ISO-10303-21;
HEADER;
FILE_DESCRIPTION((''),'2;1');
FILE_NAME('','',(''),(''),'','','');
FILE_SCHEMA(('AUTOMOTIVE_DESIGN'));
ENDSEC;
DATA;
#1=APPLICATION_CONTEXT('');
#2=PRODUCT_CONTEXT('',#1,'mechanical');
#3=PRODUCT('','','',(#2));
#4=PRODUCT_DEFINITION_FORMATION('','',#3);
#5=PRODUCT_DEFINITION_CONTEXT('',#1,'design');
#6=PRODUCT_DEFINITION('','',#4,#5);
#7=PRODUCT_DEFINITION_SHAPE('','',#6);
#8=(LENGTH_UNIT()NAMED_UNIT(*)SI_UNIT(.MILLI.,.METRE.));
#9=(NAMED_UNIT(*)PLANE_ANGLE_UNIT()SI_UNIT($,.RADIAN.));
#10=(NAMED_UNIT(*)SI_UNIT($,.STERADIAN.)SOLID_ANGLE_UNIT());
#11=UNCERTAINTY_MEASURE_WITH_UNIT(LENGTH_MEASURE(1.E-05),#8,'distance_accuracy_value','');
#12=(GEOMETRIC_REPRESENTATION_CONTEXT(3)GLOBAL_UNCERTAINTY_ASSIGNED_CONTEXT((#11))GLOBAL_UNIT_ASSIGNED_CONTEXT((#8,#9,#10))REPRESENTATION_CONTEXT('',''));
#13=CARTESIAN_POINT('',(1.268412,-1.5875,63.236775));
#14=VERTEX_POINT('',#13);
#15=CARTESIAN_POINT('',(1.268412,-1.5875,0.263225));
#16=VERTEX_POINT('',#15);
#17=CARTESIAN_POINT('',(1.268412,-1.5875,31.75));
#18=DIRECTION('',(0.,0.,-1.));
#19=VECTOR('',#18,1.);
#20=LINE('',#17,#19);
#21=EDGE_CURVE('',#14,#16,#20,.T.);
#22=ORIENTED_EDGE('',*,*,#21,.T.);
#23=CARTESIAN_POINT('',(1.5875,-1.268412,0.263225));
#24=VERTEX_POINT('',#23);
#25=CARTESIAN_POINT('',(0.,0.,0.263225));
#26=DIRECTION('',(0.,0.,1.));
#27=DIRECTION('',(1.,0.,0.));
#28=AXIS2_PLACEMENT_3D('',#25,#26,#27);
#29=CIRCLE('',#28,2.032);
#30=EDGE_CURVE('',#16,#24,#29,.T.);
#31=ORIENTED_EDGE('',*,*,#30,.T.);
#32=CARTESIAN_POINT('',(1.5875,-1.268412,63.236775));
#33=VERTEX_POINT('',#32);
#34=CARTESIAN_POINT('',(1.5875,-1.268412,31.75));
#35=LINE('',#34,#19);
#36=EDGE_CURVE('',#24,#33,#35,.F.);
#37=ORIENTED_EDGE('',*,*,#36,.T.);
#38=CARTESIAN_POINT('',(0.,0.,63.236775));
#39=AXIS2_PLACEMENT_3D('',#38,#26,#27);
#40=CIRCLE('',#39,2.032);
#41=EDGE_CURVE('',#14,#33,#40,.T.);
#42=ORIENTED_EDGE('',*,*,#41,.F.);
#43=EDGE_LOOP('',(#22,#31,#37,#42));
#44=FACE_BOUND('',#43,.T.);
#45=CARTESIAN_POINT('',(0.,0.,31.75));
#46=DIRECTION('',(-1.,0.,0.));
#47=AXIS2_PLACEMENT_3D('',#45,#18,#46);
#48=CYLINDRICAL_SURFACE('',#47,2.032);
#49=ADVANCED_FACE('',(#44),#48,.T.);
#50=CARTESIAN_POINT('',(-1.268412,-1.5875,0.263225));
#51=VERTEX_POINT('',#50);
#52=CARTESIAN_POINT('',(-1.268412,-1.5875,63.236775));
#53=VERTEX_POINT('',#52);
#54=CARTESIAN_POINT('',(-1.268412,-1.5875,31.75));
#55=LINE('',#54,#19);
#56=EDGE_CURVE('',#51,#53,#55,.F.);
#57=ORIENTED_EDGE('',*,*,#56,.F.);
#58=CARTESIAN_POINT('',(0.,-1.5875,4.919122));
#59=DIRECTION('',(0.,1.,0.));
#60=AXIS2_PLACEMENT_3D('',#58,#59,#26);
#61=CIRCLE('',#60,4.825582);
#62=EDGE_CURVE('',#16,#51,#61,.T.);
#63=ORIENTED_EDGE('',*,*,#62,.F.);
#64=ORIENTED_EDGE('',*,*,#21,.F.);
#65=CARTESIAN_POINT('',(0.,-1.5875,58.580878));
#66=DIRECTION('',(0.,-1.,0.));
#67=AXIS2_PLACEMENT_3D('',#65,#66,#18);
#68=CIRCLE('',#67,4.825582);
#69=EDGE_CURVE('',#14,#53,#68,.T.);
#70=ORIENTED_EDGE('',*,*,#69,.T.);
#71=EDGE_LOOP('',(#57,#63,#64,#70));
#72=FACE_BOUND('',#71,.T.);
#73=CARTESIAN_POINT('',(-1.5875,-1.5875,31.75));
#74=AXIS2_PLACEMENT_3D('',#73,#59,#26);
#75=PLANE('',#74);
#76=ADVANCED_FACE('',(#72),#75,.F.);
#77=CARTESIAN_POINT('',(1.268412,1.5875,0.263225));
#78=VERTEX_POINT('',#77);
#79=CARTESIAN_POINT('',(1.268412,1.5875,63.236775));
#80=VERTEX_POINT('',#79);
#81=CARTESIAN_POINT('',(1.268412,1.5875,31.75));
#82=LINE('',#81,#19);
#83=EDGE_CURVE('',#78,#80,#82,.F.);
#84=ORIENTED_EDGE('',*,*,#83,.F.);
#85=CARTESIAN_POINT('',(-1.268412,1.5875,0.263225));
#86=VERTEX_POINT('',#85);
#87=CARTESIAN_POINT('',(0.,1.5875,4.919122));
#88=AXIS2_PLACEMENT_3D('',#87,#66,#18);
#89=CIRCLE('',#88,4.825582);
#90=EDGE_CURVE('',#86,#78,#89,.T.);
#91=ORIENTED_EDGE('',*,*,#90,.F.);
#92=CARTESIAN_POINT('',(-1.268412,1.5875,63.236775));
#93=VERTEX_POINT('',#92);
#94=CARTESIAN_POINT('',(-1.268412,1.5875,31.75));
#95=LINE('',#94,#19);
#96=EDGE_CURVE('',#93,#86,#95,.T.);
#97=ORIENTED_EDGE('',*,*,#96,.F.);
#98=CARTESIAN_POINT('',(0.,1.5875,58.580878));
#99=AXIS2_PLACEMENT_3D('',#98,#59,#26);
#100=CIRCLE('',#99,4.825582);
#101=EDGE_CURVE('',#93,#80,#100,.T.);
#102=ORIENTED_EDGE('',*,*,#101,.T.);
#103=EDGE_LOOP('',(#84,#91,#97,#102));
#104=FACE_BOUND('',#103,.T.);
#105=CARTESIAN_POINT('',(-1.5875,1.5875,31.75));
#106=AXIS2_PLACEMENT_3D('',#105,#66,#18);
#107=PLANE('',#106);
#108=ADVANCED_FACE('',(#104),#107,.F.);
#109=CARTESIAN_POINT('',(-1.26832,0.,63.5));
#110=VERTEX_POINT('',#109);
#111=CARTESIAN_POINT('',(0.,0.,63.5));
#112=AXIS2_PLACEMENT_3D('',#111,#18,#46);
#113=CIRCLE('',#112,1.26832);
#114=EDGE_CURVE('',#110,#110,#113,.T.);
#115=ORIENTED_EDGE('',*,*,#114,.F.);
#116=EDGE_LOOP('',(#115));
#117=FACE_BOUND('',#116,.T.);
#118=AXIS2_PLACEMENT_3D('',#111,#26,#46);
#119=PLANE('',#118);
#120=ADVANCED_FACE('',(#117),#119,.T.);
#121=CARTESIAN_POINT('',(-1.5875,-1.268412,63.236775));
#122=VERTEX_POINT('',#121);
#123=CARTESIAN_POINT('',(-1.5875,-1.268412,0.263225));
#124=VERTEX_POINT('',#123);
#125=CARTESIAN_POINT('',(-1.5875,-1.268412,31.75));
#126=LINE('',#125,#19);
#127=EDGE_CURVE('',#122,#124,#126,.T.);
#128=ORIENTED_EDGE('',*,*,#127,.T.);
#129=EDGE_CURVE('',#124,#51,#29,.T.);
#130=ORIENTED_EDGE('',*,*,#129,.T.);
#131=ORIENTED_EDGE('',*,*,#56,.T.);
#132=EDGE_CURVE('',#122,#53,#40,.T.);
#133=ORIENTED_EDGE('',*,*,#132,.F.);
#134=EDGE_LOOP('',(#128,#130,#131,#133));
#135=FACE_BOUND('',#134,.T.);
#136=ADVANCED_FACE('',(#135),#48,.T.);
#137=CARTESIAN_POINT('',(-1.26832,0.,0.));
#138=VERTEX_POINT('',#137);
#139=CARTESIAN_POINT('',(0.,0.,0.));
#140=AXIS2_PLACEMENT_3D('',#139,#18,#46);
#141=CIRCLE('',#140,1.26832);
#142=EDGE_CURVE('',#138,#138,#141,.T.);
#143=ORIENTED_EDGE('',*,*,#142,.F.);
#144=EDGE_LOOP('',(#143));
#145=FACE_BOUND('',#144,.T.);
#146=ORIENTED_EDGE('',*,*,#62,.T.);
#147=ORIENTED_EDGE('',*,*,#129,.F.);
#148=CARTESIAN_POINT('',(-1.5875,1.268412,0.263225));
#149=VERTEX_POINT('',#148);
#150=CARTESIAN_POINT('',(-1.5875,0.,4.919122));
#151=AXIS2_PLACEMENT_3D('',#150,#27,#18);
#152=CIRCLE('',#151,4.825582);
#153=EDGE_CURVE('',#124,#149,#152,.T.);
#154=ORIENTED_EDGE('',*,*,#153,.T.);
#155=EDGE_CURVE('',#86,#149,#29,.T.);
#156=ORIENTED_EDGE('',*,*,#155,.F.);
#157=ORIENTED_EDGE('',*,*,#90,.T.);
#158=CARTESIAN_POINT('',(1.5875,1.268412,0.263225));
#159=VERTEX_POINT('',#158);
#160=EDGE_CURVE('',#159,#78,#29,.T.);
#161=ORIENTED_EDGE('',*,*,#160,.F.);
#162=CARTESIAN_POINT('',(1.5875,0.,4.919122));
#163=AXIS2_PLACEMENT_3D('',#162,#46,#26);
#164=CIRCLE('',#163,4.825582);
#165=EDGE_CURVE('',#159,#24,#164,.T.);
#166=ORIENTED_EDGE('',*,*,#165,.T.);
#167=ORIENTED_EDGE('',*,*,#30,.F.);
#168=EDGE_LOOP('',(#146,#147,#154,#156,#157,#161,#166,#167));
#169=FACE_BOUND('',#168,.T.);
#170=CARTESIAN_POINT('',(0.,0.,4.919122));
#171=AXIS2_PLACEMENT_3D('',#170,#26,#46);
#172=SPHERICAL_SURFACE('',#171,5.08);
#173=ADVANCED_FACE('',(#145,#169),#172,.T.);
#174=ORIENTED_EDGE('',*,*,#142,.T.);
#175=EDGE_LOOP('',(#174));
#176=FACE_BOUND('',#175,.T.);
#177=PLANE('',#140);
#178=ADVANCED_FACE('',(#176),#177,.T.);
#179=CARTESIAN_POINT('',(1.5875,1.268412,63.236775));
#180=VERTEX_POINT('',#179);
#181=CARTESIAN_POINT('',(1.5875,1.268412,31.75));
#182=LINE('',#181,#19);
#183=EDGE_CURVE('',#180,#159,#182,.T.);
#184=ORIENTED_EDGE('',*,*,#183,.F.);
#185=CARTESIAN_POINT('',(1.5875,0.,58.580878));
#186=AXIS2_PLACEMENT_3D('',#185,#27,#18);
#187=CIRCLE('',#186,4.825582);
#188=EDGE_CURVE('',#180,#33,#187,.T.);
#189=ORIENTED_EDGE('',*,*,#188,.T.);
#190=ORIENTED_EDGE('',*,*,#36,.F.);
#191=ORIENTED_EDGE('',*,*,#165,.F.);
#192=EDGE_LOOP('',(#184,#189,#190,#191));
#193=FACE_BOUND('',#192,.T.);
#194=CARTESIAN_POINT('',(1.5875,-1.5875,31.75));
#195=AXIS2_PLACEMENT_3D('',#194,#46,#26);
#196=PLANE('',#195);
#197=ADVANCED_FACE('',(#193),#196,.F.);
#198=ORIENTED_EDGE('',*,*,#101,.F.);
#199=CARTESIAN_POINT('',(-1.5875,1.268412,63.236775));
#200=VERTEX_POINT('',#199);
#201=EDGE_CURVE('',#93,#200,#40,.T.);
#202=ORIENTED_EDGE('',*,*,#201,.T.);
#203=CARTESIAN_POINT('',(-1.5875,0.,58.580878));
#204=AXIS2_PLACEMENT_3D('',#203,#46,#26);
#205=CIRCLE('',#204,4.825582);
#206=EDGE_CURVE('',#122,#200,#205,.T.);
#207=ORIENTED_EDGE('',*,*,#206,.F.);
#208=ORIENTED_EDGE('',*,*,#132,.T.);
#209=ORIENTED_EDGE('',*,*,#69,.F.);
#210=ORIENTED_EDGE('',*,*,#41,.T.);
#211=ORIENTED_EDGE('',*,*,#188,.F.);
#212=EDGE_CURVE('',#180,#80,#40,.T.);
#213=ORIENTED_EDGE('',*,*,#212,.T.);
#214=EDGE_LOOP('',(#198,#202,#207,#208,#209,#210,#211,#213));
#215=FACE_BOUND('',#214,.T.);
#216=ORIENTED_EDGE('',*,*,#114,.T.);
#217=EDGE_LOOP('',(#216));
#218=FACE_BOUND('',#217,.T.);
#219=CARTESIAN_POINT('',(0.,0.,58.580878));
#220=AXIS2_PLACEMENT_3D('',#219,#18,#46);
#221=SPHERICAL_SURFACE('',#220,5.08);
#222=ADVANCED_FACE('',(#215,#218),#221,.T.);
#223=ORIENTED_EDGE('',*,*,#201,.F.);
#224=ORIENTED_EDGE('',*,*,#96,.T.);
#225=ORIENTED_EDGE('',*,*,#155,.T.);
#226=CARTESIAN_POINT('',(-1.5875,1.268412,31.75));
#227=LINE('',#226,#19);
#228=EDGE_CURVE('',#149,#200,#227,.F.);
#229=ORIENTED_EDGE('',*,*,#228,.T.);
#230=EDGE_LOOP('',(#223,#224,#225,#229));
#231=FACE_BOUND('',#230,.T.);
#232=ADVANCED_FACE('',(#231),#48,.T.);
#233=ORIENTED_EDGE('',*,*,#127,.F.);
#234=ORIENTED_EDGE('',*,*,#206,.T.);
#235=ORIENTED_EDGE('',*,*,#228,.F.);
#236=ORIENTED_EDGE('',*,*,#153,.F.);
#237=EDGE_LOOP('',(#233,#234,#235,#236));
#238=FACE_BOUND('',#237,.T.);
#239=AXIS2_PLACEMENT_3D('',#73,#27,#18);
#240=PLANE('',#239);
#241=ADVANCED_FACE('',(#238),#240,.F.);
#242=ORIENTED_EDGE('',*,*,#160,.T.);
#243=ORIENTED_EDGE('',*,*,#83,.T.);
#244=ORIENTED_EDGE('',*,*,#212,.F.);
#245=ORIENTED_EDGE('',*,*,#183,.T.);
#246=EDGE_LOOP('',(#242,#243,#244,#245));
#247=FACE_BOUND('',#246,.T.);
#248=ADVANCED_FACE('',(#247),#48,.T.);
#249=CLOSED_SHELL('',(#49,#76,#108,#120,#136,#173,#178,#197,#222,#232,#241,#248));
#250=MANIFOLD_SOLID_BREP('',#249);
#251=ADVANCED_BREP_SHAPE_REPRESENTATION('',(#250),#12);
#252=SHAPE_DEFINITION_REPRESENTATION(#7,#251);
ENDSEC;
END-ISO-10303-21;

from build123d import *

# Parameters (mm, degrees)
SKETCH1_W           = 3.175
SKETCH1_H           = 3.175
BOSS_EXTRUDE1_DEPTH = 31.75
SKETCH2_OUTSIDE_W   = 11.588
SKETCH2_OUTSIDE_H   = 11.589
SKETCH2_OUTSIDE_R   = 2.032
CUT_EXTRUDE1_DEPTH  = 32.75


with BuildPart() as part:
    # Sketch1 → Boss-Extrude1 (new body)
    with BuildSketch(Plane.XY):
        Rectangle(SKETCH1_W, SKETCH1_H)
    extrude(amount=BOSS_EXTRUDE1_DEPTH)

    # Sketch2 outside → Cut-Extrude1 (cut, through all)
    with BuildSketch(Plane(origin=(0, 0, 0), x_dir=(-1, 0, 0), z_dir=(0, 0, -1))):
        with Locations((0, -0.0005)):
            Rectangle(SKETCH2_OUTSIDE_W, SKETCH2_OUTSIDE_H)
        Circle(SKETCH2_OUTSIDE_R, mode=Mode.SUBTRACT)
    extrude(amount=-CUT_EXTRUDE1_DEPTH, mode=Mode.SUBTRACT)

    # Sketch3 → Cut-Revolve1 (revolve, cut)
    with BuildSketch(Plane(origin=(0, 0, 0), x_dir=(1, 0, 0), z_dir=(0, 1, 0))):
        with BuildLine():
            Line((-5.053685963, -4.40273269), (-5.053685963, 5.740530545))
            Line((-5.053685963, 5.740530545), (0, 5.740530545))
            Line((0, 5.740530545), (0, 0.160877736))
            ThreePointArc((0, 0.160877736), (-3.404639553, -1.148866368), (-5.053685963, -4.40273269))
        make_face()
    revolve(axis=Axis((0, 0, 31.75), (0, 0, -1)), mode=Mode.SUBTRACT)

    # Mirror1: part across plane


with BuildPart() as part_1:
    add(part.part)
    add(part.part.mirror(Plane(origin=(0, 0, 31.75), x_dir=(1, 0, 0), z_dir=(0, 0, -1))))


solid = part_1.part
